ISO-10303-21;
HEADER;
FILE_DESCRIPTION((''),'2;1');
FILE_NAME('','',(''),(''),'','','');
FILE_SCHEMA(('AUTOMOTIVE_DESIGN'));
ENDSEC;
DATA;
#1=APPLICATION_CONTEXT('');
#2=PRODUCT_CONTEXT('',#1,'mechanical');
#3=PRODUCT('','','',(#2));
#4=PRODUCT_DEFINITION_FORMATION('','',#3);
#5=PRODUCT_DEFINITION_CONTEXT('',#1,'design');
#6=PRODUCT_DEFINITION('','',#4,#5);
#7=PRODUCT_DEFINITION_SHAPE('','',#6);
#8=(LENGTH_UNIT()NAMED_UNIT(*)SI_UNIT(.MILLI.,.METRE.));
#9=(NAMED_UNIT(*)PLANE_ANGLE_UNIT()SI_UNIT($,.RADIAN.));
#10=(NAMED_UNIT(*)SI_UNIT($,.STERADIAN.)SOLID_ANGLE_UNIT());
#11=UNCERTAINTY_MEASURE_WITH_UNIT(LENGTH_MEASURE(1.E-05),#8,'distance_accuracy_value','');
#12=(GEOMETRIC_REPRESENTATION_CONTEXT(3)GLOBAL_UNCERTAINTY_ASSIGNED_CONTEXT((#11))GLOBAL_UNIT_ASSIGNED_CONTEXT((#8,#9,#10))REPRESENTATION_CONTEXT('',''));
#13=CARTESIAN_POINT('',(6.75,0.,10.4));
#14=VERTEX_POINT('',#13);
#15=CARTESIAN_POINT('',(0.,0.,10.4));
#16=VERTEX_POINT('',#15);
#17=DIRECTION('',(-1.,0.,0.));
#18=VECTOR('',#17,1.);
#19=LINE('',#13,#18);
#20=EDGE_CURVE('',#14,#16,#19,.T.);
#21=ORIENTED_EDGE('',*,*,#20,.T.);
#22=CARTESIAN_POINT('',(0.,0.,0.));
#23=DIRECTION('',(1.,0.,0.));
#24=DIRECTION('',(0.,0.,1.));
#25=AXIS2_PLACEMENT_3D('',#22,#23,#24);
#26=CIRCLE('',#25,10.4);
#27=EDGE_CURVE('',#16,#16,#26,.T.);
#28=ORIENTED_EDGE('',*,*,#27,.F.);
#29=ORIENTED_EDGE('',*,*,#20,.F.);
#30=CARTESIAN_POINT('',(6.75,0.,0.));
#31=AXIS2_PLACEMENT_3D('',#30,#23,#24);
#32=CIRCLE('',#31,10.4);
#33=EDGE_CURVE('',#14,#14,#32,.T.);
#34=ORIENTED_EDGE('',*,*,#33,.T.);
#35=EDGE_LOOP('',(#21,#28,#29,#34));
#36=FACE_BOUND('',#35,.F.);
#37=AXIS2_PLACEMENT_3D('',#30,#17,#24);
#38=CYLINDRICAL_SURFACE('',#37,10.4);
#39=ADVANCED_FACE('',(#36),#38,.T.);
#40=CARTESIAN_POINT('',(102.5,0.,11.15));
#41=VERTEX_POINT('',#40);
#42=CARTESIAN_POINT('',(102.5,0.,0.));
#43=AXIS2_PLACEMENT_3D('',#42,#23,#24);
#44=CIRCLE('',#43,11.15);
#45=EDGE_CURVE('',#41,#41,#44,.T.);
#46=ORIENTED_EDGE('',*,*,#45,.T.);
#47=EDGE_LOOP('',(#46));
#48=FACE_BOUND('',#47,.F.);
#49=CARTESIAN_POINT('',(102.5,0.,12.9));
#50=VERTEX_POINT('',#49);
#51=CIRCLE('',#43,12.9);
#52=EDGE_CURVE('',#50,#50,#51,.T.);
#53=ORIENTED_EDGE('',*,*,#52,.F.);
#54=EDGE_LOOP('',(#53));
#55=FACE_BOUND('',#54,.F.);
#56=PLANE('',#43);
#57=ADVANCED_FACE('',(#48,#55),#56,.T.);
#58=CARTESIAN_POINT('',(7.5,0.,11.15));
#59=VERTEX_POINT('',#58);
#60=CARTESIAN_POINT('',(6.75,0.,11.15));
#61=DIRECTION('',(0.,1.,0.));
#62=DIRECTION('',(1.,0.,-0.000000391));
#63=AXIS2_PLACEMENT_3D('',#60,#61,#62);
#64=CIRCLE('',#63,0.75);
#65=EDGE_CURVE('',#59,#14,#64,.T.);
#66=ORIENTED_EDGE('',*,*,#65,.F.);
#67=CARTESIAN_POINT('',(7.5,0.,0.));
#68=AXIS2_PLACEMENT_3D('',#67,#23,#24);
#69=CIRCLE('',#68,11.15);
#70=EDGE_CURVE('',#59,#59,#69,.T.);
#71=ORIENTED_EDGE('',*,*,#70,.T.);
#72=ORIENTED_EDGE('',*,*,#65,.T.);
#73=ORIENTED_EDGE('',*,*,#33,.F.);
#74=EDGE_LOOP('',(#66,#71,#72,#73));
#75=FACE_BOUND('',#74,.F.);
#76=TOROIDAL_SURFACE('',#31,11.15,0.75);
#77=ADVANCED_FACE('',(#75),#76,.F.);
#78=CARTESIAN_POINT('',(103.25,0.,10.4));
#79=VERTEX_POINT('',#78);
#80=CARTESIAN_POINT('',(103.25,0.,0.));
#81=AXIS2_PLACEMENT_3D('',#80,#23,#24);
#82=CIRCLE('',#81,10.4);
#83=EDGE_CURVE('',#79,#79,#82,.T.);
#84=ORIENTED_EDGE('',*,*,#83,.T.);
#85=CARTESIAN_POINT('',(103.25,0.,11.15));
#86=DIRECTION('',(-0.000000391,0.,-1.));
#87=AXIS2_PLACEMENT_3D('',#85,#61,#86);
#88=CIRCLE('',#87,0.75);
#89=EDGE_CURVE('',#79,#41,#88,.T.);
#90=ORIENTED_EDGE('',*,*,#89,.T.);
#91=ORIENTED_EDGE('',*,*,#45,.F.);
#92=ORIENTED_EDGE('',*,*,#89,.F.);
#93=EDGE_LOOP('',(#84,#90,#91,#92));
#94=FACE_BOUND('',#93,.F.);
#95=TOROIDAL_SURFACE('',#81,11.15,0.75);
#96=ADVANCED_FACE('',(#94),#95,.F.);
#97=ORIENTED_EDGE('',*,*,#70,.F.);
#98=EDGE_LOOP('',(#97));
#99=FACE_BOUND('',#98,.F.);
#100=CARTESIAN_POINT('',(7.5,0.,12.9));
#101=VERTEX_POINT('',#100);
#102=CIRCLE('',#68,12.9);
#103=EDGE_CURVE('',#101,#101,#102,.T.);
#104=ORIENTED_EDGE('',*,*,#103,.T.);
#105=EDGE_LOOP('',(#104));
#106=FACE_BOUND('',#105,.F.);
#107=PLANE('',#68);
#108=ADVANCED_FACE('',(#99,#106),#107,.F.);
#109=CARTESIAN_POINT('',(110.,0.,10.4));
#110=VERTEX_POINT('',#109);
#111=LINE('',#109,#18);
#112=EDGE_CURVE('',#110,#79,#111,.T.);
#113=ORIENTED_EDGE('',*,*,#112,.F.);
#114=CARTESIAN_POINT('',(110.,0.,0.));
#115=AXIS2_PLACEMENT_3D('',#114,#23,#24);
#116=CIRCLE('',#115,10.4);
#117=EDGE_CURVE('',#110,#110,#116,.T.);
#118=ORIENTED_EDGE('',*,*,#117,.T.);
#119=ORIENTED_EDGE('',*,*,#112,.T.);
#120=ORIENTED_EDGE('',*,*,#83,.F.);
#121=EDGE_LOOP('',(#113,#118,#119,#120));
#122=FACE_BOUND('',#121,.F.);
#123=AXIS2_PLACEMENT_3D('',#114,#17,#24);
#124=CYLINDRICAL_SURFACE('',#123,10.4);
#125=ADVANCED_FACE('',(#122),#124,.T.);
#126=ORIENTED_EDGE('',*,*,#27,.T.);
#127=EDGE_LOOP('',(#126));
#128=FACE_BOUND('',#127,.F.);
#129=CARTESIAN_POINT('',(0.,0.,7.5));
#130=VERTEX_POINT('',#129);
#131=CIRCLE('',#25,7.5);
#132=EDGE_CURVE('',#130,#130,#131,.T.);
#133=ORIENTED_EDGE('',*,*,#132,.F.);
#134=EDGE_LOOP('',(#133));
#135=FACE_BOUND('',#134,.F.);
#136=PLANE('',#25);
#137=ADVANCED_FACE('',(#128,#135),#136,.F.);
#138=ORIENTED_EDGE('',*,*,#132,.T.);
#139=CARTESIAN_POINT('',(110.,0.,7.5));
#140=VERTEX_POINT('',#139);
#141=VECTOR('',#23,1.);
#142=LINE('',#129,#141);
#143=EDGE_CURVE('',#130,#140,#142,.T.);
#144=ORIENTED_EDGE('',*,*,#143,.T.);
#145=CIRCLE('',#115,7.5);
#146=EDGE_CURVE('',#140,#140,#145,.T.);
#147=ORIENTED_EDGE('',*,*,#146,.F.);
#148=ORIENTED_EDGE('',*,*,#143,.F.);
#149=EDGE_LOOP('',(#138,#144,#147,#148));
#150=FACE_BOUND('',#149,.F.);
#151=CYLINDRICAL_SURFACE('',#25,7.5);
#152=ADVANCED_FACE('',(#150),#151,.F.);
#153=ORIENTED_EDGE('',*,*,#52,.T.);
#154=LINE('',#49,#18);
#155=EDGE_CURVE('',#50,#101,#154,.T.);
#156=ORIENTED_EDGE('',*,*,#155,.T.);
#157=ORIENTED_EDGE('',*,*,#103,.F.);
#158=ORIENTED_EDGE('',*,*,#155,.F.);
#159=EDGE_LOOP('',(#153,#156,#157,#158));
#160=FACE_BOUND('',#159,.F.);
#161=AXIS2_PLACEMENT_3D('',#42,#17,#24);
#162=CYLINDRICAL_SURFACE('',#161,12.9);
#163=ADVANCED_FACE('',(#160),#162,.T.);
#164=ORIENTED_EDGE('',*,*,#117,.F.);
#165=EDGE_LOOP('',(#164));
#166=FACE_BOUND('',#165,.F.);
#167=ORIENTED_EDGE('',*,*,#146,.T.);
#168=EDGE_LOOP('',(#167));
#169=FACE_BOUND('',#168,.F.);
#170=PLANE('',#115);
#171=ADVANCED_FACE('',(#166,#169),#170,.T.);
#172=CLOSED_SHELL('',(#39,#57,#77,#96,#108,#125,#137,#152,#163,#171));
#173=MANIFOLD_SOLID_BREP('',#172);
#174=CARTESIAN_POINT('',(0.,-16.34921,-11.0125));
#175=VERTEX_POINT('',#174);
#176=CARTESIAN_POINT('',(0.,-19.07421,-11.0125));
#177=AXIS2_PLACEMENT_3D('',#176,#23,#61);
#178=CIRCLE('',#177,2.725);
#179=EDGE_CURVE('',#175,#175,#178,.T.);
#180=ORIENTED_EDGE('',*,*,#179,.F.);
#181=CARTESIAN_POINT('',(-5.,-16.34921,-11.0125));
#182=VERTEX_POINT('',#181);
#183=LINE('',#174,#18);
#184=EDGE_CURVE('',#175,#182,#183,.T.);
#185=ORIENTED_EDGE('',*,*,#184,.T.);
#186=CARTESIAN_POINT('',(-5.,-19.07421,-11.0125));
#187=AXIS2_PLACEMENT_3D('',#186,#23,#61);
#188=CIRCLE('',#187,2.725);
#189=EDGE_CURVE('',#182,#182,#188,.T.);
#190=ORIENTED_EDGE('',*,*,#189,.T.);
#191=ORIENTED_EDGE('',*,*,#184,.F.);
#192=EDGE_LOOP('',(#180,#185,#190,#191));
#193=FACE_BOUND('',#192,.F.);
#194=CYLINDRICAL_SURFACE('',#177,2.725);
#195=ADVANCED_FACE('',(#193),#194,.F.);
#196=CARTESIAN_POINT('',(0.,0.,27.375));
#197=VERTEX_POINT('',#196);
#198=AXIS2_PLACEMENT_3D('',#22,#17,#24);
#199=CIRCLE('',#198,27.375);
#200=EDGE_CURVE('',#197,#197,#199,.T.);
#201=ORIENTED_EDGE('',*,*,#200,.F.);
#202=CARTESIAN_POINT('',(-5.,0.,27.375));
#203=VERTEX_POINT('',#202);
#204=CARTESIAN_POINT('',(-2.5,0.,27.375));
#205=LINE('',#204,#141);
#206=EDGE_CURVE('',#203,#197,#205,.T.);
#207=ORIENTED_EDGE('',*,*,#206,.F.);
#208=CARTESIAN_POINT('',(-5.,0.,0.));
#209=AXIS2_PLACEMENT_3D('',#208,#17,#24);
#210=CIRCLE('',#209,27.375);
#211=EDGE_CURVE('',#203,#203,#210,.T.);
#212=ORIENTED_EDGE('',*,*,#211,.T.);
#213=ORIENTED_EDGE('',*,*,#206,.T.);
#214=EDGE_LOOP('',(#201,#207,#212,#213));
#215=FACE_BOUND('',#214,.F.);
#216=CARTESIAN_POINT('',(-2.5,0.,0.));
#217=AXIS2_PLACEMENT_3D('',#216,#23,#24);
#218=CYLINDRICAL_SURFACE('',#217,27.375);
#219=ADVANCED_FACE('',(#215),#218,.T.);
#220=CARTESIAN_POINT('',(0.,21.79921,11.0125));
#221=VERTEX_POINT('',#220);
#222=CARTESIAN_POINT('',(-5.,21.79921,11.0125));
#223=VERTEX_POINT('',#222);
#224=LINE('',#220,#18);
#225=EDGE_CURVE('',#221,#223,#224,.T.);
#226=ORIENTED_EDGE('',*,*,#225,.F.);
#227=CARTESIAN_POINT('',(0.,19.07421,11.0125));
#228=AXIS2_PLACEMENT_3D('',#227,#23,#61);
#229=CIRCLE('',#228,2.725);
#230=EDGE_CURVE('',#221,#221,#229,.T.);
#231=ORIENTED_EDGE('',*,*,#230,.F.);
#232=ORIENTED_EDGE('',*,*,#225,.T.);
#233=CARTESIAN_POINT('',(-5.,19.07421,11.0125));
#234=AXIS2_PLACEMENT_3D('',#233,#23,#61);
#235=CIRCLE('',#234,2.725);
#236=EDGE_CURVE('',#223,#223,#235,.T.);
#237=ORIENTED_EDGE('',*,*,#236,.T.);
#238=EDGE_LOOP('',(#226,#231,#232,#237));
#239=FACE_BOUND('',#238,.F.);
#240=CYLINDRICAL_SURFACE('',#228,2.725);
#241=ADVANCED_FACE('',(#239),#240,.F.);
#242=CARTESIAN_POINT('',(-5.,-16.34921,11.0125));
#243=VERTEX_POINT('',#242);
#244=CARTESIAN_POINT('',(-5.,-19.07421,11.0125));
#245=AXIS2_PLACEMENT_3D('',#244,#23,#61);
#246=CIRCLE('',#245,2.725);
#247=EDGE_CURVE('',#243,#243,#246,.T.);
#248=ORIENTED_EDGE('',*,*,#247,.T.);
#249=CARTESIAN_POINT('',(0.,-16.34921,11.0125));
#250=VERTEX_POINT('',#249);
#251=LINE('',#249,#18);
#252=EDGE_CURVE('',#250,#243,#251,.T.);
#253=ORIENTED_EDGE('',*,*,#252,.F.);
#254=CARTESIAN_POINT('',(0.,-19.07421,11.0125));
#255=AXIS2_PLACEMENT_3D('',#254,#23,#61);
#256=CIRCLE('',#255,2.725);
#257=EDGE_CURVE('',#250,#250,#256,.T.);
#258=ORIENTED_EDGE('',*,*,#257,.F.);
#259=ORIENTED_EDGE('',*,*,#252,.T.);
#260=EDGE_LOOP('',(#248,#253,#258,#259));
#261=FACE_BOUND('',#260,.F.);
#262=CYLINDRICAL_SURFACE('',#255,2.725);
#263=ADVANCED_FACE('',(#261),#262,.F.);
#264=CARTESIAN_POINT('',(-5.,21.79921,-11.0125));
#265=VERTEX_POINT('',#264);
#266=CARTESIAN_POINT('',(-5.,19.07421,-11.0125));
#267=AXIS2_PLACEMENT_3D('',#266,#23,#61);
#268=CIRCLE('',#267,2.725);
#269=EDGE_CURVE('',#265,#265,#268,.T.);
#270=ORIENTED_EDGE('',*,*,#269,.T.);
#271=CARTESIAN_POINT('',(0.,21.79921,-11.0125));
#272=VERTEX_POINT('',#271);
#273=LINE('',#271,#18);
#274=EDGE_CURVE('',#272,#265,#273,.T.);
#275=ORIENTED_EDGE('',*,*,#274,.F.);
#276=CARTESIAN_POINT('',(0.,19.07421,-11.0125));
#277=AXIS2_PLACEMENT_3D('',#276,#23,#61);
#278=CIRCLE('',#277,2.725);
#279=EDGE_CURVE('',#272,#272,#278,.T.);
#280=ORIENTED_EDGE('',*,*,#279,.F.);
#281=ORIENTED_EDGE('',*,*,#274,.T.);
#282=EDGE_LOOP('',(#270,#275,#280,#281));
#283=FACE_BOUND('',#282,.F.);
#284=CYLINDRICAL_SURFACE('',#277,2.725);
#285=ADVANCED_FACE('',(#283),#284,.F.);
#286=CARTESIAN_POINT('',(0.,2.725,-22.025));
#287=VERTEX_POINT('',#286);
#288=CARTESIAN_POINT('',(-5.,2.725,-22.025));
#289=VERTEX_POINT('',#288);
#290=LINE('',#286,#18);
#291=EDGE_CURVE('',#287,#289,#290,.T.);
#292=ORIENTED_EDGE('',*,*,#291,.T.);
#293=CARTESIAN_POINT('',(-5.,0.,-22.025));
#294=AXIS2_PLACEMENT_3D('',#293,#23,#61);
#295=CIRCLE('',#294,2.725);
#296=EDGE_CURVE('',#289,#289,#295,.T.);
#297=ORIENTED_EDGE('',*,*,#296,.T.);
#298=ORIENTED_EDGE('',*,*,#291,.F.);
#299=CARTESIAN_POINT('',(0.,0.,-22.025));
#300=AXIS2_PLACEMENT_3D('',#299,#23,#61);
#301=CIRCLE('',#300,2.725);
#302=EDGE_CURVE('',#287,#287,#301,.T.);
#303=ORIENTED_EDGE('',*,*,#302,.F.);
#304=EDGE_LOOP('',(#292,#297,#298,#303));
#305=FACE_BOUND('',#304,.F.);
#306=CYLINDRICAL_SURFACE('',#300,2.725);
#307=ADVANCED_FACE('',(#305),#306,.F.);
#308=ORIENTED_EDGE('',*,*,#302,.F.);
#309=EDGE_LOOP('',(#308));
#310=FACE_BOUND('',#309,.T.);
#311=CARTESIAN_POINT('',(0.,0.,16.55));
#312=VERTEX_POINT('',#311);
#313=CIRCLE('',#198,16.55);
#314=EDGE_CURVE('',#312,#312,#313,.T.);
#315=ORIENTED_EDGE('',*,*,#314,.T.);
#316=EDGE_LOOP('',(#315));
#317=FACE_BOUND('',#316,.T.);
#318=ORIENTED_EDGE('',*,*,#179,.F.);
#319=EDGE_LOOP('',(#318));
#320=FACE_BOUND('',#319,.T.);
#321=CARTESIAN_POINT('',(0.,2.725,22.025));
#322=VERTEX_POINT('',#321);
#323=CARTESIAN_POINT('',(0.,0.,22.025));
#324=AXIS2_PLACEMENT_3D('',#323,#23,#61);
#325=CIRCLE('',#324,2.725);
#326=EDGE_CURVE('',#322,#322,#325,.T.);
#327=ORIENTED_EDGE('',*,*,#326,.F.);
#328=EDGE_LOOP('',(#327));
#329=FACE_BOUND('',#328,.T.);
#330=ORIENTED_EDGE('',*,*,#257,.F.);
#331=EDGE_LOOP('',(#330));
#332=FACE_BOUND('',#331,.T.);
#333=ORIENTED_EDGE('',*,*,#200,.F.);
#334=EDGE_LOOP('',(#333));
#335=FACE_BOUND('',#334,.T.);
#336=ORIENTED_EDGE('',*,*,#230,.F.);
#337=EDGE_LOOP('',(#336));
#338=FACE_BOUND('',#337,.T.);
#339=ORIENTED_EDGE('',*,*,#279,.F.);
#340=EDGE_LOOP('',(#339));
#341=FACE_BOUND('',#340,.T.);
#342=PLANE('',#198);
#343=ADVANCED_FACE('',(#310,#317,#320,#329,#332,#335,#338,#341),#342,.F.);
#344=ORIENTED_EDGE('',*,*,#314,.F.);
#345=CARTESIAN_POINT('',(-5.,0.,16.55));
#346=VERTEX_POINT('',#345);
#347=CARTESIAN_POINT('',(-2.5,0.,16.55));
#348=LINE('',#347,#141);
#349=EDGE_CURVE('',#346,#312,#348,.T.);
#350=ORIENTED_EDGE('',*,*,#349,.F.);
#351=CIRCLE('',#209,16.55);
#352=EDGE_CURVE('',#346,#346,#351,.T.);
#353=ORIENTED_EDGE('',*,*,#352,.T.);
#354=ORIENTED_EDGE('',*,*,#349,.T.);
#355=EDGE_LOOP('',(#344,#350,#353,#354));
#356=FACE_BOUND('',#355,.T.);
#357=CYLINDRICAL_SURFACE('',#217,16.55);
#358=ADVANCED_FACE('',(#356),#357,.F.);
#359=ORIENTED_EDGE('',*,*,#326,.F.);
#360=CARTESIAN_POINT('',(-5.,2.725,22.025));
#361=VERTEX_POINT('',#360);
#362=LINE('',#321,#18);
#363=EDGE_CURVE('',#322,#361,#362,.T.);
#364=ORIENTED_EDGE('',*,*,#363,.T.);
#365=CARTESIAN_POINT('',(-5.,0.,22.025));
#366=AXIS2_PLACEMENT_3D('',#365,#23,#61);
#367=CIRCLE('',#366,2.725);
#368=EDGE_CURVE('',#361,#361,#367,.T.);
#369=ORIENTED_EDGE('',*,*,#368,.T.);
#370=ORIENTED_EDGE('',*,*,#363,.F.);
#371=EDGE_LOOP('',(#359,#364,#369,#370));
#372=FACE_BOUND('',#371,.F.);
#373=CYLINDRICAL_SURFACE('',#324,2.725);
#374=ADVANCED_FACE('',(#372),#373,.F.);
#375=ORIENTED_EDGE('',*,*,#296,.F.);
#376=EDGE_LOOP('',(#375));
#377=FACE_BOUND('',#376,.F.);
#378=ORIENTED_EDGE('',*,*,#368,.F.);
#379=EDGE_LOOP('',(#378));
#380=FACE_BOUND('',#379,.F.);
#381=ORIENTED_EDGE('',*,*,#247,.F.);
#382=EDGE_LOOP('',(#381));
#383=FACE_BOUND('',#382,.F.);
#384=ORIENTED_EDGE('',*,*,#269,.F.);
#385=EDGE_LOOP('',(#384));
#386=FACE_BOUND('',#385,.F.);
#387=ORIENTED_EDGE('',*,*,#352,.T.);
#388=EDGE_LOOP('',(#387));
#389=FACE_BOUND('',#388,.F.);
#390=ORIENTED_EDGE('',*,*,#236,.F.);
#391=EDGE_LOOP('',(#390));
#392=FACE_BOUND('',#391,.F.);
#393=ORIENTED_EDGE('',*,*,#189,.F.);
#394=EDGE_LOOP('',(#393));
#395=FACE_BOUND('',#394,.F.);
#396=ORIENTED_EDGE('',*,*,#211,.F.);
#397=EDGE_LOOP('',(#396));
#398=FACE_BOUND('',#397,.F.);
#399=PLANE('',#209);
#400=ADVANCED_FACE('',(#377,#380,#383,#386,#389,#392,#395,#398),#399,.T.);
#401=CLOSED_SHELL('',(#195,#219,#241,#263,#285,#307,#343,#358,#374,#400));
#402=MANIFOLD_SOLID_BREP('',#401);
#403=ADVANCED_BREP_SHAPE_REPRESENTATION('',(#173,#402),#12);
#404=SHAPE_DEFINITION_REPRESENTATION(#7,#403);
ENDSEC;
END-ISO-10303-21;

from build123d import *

# Parameters (mm, degrees)
F0_W     = 5
F0_H     = 10.825
F2_R     = 2.725
F3_DEPTH = 25


with BuildPart() as f1:
    # F0 (on Front) → F1 (revolve)
    with BuildSketch(Plane.XZ):
        with Locations((-2.5, 21.9625)):
            Rectangle(F0_W, F0_H)
    revolve(axis=Axis((-22.936802, 0, 0), (-1, 0, 0)))

    # F2 (on Right) → F3 (cut)
    with BuildSketch(Plane.YZ):
        with Locations((0, 22.025)):
            Circle(F2_R)
        with Locations((-19.07421, 11.0125)):
            Circle(F2_R)
        with Locations((-19.07421, -11.0125)):
            Circle(F2_R)
        with Locations((0, -22.025)):
            Circle(F2_R)
        with Locations((19.07421, -11.0125)):
            Circle(F2_R)
        with Locations((19.07421, 11.0125)):
            Circle(F2_R)
    extrude(amount=-F3_DEPTH, mode=Mode.SUBTRACT)


with BuildPart() as f5:
    # F4 (on Front) → F5 (revolve)
    with BuildSketch(Plane.XZ):
        with BuildLine():
            Line((0, 10.4), (0, 7.5))
            Line((0, 7.5), (110, 7.5))
            Line((110, 7.5), (110, 10.4))
            Line((110, 10.4), (103.25, 10.4))
            ThreePointArc((103.25, 10.4), (102.71967, 10.61967), (102.5, 11.15))
            Line((102.5, 11.15), (102.5, 12.9))
            Line((102.5, 12.9), (7.5, 12.9))
            Line((7.5, 12.9), (7.5, 11.15))
            ThreePointArc((7.5, 11.15), (7.28033, 10.61967), (6.75, 10.4))
            Line((6.75, 10.4), (0, 10.4))
        make_face()
    revolve(axis=Axis((72.28097, 0, 0), (1, 0, 0)))


solid = Compound([f1.part, f5.part])
